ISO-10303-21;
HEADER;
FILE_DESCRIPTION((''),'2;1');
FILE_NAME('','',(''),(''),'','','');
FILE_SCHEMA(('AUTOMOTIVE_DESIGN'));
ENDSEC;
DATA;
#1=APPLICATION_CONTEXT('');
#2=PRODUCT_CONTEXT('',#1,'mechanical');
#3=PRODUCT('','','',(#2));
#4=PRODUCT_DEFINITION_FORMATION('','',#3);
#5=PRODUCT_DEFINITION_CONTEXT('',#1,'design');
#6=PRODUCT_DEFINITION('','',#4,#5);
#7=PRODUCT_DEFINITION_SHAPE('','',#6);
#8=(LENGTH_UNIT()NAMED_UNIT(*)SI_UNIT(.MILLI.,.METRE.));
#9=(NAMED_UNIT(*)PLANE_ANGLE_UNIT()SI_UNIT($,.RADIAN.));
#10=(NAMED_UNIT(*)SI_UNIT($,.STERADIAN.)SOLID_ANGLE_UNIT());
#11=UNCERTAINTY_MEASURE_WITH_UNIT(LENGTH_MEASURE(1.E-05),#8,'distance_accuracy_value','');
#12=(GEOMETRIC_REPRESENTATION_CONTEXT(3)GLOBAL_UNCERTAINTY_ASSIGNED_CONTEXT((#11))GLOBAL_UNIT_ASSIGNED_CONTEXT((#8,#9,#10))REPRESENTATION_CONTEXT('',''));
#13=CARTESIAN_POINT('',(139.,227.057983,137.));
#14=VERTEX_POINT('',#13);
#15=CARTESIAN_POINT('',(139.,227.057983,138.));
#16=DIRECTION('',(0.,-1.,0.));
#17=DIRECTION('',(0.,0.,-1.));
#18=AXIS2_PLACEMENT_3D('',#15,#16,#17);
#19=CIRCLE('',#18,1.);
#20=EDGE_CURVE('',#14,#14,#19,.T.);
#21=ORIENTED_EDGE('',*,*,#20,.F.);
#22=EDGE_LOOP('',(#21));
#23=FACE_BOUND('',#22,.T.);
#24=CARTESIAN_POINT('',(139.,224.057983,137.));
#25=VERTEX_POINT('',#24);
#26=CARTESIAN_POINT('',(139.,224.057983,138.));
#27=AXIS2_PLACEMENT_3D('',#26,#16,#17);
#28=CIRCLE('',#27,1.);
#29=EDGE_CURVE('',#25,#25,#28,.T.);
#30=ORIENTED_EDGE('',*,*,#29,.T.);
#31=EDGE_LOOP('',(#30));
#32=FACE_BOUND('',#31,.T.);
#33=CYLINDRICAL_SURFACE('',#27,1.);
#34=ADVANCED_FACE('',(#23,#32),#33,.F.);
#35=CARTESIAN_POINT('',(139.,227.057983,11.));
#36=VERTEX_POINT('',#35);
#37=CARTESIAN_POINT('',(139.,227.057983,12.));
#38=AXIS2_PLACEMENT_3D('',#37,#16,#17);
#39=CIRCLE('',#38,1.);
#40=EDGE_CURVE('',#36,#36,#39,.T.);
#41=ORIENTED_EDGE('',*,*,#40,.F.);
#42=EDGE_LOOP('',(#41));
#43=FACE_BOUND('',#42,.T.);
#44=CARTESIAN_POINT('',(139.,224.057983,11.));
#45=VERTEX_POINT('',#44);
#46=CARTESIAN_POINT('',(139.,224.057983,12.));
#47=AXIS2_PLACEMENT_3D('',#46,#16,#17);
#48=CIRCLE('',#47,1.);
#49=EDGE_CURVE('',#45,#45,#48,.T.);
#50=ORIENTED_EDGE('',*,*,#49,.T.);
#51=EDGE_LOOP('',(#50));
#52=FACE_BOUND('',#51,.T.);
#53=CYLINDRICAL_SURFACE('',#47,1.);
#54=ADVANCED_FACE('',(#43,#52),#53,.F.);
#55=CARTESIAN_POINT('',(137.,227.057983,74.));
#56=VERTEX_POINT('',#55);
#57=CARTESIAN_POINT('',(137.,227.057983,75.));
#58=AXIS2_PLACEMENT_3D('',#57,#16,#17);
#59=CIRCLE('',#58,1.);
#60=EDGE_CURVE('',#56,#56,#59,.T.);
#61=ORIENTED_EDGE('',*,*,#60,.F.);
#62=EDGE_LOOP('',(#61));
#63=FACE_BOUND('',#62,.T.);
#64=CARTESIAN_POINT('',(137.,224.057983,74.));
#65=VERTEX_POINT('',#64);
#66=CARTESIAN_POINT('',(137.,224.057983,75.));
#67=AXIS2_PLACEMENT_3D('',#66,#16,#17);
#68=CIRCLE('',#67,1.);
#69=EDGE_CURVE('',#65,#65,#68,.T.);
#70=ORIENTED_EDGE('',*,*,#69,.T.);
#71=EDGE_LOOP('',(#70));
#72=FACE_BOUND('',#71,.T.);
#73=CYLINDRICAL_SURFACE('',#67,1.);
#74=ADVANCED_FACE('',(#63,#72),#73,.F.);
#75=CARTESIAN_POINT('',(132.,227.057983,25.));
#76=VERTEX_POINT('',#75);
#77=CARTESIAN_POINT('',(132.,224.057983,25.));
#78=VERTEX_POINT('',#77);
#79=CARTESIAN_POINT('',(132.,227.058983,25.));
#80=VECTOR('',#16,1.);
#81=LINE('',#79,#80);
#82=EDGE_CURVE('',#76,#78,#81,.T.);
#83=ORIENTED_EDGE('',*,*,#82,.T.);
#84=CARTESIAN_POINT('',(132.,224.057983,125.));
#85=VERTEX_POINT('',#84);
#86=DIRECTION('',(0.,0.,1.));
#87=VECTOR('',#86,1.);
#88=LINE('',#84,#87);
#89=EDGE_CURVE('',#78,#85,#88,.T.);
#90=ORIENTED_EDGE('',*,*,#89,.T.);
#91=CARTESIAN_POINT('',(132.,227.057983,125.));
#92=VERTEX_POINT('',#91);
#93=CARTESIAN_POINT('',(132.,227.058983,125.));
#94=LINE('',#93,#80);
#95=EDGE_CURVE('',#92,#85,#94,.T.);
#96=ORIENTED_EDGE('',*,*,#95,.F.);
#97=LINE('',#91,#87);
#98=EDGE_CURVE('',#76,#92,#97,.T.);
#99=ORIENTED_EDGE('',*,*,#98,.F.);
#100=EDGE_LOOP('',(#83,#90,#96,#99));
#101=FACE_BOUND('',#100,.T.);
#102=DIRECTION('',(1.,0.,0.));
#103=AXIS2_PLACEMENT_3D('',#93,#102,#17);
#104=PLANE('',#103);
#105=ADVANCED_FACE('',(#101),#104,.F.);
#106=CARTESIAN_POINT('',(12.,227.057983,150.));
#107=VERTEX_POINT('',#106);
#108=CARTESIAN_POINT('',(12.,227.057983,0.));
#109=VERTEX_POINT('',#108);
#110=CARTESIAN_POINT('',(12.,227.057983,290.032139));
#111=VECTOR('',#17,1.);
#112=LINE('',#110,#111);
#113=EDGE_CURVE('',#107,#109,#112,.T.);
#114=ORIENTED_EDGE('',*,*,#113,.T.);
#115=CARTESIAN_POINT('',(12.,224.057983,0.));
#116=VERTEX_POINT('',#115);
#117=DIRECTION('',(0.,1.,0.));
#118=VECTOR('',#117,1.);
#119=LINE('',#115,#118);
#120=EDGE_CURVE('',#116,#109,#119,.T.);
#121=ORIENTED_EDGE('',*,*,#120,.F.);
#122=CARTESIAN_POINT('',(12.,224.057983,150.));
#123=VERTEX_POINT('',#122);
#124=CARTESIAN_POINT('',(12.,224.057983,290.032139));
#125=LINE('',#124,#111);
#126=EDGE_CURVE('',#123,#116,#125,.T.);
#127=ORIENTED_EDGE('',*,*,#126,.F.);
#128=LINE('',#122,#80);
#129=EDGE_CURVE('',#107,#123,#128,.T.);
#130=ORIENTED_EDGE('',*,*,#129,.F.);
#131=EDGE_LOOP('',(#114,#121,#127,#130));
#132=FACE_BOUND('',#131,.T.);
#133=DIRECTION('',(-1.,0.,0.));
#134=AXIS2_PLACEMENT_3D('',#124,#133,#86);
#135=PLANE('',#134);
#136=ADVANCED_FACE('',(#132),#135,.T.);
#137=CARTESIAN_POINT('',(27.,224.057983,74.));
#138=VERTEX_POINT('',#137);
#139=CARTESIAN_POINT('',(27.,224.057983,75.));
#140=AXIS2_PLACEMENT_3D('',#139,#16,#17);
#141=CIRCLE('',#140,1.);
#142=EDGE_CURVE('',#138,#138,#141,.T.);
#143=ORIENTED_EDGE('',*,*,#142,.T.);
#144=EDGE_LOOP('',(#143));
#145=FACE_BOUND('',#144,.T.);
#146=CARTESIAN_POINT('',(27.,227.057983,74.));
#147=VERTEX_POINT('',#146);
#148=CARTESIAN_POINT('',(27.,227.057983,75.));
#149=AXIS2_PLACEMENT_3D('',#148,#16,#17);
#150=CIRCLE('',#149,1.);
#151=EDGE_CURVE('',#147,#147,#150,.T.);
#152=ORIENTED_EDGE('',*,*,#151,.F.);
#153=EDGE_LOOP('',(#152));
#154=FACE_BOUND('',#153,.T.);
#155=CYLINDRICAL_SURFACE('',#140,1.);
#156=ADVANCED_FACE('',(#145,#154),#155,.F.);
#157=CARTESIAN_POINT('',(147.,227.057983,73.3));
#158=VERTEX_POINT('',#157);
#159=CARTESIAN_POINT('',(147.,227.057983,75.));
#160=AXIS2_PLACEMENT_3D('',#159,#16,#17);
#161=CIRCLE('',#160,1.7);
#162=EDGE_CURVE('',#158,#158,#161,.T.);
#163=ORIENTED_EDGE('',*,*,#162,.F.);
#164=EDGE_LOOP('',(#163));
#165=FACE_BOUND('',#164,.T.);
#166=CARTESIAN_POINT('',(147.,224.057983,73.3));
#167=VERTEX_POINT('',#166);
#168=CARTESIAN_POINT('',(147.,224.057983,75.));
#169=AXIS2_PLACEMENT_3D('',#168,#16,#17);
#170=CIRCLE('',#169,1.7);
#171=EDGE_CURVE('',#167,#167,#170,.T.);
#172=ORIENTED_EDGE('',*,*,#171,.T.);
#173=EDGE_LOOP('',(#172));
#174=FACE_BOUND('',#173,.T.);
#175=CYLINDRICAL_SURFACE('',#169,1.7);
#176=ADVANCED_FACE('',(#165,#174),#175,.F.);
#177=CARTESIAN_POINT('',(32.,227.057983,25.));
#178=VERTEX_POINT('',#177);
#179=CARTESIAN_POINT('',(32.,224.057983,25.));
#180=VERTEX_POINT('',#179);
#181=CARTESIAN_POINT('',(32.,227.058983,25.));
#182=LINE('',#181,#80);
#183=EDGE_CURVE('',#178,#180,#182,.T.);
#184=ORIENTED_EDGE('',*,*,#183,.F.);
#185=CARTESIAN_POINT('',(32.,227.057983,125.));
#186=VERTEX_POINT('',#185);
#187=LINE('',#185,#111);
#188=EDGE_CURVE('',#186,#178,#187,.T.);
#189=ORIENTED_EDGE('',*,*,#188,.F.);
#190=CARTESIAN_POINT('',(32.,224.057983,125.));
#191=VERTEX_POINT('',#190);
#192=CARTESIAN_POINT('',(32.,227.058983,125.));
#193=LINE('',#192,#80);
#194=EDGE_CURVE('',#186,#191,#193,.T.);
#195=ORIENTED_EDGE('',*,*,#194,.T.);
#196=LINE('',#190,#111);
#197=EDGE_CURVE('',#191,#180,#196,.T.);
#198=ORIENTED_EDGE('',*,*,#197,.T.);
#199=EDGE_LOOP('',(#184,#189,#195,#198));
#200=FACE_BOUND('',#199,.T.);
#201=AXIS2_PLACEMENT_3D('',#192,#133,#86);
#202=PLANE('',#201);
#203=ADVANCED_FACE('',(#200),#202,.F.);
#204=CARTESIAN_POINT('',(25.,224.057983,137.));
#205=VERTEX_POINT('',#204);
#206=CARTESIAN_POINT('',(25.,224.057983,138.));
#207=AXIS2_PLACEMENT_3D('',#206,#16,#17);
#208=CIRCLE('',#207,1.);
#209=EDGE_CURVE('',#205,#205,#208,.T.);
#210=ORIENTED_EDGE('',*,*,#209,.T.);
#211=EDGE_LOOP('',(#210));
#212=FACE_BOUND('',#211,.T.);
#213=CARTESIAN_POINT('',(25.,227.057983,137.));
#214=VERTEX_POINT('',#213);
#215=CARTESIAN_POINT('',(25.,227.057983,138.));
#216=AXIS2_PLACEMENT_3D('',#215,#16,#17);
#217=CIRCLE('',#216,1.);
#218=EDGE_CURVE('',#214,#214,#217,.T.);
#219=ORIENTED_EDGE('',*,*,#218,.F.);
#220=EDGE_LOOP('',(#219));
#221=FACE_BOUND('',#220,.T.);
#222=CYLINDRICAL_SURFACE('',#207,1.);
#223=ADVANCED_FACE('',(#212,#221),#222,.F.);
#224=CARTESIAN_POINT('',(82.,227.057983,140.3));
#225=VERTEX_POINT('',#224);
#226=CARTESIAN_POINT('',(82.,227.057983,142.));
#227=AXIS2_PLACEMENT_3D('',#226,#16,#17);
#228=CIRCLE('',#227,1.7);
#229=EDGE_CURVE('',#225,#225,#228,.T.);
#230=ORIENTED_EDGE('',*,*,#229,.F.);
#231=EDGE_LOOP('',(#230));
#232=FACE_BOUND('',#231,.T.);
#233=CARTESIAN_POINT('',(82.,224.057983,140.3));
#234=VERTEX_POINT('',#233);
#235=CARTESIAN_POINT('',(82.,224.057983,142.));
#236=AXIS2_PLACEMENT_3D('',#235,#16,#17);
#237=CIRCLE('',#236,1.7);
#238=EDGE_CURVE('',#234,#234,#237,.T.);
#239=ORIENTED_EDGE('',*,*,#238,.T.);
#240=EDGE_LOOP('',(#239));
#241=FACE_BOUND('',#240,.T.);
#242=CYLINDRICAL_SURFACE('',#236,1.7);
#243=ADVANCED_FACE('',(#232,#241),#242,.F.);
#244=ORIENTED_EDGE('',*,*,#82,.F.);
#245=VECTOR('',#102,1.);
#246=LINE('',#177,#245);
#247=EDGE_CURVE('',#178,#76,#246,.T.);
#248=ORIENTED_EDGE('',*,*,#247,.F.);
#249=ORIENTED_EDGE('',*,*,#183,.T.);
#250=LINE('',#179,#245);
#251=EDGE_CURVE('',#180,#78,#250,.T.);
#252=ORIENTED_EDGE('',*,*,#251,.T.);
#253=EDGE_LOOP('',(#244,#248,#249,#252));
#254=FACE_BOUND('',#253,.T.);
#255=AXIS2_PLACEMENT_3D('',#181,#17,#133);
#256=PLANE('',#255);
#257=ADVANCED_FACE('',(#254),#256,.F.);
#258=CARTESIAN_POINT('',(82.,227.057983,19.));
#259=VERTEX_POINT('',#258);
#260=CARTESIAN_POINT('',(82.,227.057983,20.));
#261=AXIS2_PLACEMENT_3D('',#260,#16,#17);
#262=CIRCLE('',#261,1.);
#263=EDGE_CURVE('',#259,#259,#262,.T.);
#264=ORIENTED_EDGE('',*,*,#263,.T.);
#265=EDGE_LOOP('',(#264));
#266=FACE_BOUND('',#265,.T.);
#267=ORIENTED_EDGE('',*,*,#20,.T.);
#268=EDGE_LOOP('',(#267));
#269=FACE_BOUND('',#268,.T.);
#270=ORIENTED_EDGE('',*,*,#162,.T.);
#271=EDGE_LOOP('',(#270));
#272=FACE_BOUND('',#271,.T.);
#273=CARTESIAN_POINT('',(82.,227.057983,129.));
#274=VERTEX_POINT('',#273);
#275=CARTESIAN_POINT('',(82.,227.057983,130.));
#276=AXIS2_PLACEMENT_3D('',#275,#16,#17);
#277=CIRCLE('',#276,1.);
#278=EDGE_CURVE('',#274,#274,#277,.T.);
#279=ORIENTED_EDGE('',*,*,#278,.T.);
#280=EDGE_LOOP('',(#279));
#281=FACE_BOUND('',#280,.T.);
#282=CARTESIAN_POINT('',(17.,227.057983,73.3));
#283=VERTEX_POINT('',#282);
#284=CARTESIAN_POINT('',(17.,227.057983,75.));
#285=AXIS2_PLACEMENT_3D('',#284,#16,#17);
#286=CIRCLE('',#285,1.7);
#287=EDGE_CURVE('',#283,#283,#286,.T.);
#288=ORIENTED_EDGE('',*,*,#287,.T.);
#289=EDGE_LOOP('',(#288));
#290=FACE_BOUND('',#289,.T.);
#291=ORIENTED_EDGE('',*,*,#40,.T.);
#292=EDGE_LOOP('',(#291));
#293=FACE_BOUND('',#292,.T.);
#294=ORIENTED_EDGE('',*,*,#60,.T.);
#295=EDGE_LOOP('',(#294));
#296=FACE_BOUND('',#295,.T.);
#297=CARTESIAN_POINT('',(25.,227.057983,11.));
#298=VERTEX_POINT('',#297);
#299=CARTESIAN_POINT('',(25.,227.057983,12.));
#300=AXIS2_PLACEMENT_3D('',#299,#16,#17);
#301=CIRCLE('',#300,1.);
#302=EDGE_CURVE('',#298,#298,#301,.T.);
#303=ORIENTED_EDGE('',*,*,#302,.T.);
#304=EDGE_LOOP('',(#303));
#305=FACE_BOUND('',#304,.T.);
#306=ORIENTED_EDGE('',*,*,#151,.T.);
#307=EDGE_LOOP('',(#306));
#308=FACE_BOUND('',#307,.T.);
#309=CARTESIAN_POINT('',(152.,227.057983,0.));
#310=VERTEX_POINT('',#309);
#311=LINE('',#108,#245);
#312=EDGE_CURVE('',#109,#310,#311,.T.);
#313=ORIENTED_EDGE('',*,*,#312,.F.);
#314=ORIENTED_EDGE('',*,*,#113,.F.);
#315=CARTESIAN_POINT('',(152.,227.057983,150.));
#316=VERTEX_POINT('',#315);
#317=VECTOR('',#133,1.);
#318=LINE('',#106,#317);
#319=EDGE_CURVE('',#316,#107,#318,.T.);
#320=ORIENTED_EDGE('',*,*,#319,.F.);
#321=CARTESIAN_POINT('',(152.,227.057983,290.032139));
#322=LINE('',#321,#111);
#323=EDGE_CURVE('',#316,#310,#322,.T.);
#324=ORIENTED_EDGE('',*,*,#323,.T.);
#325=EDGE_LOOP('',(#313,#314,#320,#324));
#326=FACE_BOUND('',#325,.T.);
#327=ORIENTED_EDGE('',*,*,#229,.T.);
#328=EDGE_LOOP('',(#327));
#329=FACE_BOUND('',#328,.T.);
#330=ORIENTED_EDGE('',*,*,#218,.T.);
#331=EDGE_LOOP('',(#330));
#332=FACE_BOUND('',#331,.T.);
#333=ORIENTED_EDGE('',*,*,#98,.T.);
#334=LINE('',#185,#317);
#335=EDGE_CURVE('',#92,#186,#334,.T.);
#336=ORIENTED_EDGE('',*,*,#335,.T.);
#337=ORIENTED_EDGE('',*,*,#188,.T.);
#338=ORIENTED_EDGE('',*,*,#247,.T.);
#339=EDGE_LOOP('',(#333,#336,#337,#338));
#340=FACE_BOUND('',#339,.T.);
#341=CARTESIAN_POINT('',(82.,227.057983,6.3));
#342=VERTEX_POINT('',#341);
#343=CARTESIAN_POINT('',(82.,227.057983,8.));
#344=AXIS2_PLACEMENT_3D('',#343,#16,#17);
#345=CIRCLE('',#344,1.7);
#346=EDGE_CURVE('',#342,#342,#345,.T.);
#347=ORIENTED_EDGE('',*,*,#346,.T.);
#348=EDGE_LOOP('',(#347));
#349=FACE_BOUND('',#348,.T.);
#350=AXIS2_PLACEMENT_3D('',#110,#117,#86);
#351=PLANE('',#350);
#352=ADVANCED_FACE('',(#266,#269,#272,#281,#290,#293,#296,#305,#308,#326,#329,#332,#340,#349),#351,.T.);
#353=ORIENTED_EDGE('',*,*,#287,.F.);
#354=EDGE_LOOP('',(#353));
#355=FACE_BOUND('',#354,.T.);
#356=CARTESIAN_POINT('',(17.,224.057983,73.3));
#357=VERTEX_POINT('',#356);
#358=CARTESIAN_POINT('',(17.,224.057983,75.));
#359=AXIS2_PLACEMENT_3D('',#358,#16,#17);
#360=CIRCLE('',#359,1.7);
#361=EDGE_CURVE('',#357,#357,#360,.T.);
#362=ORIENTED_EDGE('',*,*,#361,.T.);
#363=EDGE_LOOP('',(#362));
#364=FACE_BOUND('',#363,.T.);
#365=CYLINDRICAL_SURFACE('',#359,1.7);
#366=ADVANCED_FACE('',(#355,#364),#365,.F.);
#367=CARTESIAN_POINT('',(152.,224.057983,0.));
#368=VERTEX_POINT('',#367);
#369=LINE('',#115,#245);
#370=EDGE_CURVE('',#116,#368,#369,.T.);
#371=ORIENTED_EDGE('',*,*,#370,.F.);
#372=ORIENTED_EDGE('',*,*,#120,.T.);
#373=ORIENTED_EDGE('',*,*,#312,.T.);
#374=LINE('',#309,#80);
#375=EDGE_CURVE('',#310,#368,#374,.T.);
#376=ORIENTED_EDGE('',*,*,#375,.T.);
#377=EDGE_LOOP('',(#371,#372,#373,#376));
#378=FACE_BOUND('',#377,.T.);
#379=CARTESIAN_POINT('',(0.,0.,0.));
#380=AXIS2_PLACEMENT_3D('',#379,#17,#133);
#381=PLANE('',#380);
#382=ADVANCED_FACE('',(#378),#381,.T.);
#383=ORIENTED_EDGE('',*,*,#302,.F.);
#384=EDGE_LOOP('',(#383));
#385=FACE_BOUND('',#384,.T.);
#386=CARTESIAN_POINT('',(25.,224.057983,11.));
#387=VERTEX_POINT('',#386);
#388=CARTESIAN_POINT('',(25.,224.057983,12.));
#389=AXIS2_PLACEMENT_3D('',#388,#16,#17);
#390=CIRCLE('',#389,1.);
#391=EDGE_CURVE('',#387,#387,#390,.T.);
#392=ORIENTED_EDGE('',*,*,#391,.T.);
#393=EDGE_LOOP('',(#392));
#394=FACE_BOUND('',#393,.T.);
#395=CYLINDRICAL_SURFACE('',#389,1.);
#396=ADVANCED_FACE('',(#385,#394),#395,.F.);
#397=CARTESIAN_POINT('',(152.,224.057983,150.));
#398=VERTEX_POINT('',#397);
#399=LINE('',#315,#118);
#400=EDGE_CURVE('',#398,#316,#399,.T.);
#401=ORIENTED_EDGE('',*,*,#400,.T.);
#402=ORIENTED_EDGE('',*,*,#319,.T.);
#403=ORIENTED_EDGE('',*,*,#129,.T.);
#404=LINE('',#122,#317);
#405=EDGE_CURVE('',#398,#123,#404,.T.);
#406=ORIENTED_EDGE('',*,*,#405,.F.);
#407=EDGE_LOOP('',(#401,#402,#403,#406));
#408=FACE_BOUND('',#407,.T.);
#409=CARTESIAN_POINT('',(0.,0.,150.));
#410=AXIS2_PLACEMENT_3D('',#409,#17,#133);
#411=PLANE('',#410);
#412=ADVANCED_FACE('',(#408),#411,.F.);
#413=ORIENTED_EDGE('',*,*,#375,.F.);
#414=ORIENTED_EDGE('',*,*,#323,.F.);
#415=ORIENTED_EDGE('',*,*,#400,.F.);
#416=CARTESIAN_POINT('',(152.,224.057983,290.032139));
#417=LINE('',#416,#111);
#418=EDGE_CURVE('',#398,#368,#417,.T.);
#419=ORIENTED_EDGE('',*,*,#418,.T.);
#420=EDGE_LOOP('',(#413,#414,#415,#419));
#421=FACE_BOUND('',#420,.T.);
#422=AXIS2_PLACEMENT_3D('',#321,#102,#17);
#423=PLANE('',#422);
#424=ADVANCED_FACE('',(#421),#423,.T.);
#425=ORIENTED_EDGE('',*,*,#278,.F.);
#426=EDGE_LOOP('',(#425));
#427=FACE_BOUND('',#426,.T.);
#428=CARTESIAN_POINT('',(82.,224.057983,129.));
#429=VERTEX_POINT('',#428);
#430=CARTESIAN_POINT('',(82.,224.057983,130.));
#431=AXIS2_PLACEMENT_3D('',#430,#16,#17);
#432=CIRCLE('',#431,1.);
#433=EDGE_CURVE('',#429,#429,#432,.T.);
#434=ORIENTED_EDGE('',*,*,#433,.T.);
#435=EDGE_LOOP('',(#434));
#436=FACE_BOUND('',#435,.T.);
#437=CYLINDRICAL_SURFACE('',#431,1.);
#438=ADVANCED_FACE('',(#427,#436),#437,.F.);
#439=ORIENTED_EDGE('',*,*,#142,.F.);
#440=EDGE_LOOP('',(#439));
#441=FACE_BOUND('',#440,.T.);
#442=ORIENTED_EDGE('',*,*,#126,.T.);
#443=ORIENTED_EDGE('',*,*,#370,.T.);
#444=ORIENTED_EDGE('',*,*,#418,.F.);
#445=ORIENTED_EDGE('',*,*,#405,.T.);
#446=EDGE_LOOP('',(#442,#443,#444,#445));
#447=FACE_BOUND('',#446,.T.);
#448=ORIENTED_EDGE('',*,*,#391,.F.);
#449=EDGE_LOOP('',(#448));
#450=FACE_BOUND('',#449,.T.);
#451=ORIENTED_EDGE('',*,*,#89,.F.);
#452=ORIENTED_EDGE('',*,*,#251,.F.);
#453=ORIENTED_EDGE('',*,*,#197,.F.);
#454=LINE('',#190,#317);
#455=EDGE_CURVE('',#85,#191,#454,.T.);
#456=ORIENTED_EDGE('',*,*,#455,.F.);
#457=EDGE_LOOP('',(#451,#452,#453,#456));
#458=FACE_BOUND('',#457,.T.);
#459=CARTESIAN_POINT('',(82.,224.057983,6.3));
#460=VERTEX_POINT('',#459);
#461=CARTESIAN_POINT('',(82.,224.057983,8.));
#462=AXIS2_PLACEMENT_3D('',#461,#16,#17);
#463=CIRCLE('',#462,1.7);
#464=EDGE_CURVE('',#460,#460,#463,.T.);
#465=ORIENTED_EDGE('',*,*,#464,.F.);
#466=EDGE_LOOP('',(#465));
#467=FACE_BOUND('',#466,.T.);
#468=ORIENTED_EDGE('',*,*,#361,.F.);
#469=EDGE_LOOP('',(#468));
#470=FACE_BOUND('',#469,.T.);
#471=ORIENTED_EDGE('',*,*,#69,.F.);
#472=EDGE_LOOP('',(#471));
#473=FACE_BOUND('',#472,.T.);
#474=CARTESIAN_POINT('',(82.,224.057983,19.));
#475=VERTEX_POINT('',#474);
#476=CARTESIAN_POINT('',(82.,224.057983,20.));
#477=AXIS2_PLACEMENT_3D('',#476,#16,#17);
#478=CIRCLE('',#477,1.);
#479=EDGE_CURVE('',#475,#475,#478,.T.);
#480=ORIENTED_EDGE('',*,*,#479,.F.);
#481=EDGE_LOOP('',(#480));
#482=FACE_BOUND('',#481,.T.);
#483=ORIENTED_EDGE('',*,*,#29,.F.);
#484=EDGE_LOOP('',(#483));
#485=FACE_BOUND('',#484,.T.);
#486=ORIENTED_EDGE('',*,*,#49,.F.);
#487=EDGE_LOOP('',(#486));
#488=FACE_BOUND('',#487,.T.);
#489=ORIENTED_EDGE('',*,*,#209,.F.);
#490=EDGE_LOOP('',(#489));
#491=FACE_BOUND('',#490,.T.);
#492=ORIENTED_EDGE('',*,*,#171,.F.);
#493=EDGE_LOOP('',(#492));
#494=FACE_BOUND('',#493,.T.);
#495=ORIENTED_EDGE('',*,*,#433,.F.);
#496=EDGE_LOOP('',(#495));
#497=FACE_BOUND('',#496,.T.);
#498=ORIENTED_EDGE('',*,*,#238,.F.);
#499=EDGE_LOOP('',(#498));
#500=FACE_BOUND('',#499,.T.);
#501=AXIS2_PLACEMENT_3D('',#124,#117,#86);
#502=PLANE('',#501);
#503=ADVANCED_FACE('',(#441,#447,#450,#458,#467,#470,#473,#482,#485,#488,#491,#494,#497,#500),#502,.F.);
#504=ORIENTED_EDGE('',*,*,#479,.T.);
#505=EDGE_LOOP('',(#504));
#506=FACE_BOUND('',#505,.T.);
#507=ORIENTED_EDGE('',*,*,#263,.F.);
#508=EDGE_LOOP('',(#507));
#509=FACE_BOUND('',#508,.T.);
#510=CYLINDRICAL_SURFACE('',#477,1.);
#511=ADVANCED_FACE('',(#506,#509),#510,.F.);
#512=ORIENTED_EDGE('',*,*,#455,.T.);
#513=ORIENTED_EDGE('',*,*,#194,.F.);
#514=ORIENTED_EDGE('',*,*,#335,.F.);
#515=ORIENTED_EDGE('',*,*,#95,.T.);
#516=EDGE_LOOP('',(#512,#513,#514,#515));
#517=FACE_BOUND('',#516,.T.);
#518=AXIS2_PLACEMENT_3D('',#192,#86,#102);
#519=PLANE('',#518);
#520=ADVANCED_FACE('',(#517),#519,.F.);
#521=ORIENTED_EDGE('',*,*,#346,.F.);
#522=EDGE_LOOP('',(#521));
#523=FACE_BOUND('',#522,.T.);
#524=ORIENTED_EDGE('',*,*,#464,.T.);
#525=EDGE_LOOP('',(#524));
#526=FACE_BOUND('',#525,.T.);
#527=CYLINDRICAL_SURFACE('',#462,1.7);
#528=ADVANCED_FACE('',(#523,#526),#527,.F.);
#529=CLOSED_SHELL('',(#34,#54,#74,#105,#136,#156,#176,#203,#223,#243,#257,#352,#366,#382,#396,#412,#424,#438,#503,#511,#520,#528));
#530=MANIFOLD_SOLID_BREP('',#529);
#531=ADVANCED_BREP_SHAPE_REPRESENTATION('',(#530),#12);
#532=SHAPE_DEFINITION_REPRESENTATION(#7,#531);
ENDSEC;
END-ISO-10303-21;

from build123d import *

# Parameters (mm, degrees)
SKETCH_1_W           = 140
SKETCH_1_H           = 3
EXTRUDE_1_DEPTH      = 150
CUT_EXTRUDE_1_REACH  = 5
SKETCH_2_W           = 100
SKETCH_2_H           = 100
HOLE_WIZARD_M3_1_D   = 3.4
HOLE_WIZARD_M3_1_2_D = 2


with BuildPart() as part:
    # 草图1 → 拉伸-薄壁1 (new body)
    with BuildSketch(Plane.XY):
        with Locations((82, 225.557982809)):
            Rectangle(SKETCH_1_W, SKETCH_1_H)
    extrude(amount=EXTRUDE_1_DEPTH)

    # 草图2 → 切除-拉伸1 (cut, up to next)
    with BuildSketch(Plane.XZ.offset(-224.057982809), mode=Mode.PRIVATE) as cut_extrude_1_sk1:
        with Locations((82, 75)):
            Rectangle(SKETCH_2_W, SKETCH_2_H)
    cut_extrude_1_tool1 = extrude(cut_extrude_1_sk1.sketch, amount=-CUT_EXTRUDE_1_REACH, mode=Mode.PRIVATE) & part.part
    add(cut_extrude_1_tool1.solids().sort_by_distance((82, 224.057983, 75))[0], mode=Mode.SUBTRACT)

    # Hole Wizard M3 _1 (through all)
    with Locations(Plane(origin=(0, 224.057982809, 0), x_dir=(-1, 0, 0), z_dir=(0, -1, 0))):
        with Locations((-82, -142), (-147, -75), (-82, -8), (-17, -75)):
            Hole(HOLE_WIZARD_M3_1_D / 2)

    # Hole Wizard M3 _1 2 (through all)
    with Locations(Plane(origin=(0, 224.057982809, 0), x_dir=(-1, 0, 0), z_dir=(0, -1, 0))):
        with Locations((-139, -138), (-25, -138), (-82, -130), (-27, -75), (-137, -75), (-82, -20), (-25, -12), (-139, -12)):
            Hole(HOLE_WIZARD_M3_1_2_D / 2)


solid = part.part
